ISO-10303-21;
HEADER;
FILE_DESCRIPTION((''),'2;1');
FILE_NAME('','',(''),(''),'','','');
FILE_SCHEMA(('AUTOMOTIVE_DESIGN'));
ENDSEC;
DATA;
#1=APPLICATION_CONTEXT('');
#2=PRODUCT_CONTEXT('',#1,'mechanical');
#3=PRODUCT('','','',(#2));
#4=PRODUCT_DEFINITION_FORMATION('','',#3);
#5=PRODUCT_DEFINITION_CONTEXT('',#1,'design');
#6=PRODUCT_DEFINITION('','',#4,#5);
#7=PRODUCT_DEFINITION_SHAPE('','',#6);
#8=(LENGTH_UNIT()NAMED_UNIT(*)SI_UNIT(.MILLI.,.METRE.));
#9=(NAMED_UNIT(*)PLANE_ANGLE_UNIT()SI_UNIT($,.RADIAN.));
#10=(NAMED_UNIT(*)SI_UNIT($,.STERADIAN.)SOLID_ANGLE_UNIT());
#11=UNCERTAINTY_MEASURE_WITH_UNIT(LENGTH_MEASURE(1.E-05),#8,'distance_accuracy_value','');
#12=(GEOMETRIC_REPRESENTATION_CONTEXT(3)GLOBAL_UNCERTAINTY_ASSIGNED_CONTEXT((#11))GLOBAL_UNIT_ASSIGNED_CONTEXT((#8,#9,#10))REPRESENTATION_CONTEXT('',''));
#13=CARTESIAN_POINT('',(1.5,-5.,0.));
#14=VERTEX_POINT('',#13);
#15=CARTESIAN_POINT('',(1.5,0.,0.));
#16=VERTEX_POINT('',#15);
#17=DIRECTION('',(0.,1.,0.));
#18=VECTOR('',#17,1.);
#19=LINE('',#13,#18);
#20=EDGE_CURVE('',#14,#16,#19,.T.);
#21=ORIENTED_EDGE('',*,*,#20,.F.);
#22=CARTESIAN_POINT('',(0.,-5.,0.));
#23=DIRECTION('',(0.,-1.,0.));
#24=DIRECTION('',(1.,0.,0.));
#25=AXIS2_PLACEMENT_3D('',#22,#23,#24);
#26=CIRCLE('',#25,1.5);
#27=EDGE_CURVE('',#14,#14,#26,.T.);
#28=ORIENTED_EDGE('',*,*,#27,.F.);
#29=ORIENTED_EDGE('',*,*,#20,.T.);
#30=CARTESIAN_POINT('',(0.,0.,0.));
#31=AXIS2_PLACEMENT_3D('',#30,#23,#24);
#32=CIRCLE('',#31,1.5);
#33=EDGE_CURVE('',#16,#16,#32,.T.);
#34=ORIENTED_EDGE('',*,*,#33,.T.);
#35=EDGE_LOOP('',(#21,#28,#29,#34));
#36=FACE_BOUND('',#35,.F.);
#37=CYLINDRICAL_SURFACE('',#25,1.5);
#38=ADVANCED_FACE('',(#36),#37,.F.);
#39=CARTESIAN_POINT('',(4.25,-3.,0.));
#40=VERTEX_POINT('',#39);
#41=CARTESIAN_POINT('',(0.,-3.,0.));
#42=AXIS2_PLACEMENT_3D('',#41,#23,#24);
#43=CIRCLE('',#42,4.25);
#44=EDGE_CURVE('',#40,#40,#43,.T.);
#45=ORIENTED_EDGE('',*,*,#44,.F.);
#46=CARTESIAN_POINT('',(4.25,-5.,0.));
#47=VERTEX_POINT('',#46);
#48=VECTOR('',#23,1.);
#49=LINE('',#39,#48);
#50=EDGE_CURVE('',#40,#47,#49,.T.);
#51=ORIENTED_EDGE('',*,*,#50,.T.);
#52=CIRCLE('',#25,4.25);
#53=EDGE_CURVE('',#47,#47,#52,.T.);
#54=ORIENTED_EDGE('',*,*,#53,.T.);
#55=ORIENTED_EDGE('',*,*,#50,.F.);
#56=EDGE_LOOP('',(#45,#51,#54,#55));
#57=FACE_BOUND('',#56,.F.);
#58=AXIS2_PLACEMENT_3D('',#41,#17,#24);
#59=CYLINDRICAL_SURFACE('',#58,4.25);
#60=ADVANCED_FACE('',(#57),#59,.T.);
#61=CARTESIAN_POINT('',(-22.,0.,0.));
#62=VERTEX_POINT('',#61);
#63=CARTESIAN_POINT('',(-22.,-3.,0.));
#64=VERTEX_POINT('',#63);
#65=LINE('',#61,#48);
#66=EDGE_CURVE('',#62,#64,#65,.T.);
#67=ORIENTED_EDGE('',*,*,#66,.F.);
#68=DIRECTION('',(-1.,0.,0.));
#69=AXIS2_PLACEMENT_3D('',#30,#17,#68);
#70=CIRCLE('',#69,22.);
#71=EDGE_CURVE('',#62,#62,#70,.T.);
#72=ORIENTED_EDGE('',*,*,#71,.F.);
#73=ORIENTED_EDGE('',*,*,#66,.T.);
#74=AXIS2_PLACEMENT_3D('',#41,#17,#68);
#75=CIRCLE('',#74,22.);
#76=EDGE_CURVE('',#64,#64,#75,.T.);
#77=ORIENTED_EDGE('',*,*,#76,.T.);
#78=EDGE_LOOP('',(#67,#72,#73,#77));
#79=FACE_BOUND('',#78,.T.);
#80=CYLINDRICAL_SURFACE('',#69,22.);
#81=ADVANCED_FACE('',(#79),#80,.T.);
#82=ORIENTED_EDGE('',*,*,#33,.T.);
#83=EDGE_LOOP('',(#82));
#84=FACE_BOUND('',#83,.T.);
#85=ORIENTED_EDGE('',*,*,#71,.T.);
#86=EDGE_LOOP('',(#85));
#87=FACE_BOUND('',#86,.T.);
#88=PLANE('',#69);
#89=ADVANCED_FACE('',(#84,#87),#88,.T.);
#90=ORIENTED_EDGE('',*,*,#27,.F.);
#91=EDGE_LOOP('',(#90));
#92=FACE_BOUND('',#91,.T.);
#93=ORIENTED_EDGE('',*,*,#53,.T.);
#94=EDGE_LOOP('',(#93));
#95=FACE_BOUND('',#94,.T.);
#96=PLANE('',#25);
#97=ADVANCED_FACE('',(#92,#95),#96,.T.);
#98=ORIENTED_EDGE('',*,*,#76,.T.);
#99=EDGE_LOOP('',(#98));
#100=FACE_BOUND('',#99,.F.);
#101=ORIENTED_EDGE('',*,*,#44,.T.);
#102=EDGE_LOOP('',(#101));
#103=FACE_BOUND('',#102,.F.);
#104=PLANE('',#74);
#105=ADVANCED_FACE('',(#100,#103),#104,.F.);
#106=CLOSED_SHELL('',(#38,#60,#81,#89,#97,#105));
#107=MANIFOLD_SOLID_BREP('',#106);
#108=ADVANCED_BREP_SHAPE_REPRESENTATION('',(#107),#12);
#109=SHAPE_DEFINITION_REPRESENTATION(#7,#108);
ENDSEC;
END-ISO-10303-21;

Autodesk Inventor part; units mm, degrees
ref_plane "YZ Plane" through (0, 0, 0) normal (1, 0, 0) x (0, 1, 0)
ref_plane "XZ Plane" through (0, 0, 0) normal (0, 1, 0) x (-1, 0, 0)
ref_plane "XY Plane" through (0, 0, 0) normal (0, 0, 1) x (1, 0, 0)
sketch "Эскиз1" plane through (0, 0, 0) normal (0, 1, 0) x (-1, 0, 0)
  circle A0 centre (0, 0) radius 22
  dimension "d0" = 44
extrude "Выдавливание1" add sketch "Эскиз1" against normal blind 3
sketch "Эскиз2" plane through (0, -3, 0) normal (0, -1, 0) x (1, 0, 0)
  circle A0 centre (0, 0) radius 4.25
  dimension "d3" = 8.5
extrude "Выдавливание2" add sketch "Эскиз2" along normal blind 2
sketch "Эскиз3" plane through (0, -5, 0) normal (0, -1, 0) x (1, 0, 0)
  circle A0 centre (0, 0) radius 1.5
  dimension "d6" = 3
extrude "Выдавливание3" cut sketch "Эскиз3" against normal through all
equation "\"d0\" = 14.6667 * d6"
equation "\"d3\" = 2.83333 * d6"
properties material "Медь, ковкая"
